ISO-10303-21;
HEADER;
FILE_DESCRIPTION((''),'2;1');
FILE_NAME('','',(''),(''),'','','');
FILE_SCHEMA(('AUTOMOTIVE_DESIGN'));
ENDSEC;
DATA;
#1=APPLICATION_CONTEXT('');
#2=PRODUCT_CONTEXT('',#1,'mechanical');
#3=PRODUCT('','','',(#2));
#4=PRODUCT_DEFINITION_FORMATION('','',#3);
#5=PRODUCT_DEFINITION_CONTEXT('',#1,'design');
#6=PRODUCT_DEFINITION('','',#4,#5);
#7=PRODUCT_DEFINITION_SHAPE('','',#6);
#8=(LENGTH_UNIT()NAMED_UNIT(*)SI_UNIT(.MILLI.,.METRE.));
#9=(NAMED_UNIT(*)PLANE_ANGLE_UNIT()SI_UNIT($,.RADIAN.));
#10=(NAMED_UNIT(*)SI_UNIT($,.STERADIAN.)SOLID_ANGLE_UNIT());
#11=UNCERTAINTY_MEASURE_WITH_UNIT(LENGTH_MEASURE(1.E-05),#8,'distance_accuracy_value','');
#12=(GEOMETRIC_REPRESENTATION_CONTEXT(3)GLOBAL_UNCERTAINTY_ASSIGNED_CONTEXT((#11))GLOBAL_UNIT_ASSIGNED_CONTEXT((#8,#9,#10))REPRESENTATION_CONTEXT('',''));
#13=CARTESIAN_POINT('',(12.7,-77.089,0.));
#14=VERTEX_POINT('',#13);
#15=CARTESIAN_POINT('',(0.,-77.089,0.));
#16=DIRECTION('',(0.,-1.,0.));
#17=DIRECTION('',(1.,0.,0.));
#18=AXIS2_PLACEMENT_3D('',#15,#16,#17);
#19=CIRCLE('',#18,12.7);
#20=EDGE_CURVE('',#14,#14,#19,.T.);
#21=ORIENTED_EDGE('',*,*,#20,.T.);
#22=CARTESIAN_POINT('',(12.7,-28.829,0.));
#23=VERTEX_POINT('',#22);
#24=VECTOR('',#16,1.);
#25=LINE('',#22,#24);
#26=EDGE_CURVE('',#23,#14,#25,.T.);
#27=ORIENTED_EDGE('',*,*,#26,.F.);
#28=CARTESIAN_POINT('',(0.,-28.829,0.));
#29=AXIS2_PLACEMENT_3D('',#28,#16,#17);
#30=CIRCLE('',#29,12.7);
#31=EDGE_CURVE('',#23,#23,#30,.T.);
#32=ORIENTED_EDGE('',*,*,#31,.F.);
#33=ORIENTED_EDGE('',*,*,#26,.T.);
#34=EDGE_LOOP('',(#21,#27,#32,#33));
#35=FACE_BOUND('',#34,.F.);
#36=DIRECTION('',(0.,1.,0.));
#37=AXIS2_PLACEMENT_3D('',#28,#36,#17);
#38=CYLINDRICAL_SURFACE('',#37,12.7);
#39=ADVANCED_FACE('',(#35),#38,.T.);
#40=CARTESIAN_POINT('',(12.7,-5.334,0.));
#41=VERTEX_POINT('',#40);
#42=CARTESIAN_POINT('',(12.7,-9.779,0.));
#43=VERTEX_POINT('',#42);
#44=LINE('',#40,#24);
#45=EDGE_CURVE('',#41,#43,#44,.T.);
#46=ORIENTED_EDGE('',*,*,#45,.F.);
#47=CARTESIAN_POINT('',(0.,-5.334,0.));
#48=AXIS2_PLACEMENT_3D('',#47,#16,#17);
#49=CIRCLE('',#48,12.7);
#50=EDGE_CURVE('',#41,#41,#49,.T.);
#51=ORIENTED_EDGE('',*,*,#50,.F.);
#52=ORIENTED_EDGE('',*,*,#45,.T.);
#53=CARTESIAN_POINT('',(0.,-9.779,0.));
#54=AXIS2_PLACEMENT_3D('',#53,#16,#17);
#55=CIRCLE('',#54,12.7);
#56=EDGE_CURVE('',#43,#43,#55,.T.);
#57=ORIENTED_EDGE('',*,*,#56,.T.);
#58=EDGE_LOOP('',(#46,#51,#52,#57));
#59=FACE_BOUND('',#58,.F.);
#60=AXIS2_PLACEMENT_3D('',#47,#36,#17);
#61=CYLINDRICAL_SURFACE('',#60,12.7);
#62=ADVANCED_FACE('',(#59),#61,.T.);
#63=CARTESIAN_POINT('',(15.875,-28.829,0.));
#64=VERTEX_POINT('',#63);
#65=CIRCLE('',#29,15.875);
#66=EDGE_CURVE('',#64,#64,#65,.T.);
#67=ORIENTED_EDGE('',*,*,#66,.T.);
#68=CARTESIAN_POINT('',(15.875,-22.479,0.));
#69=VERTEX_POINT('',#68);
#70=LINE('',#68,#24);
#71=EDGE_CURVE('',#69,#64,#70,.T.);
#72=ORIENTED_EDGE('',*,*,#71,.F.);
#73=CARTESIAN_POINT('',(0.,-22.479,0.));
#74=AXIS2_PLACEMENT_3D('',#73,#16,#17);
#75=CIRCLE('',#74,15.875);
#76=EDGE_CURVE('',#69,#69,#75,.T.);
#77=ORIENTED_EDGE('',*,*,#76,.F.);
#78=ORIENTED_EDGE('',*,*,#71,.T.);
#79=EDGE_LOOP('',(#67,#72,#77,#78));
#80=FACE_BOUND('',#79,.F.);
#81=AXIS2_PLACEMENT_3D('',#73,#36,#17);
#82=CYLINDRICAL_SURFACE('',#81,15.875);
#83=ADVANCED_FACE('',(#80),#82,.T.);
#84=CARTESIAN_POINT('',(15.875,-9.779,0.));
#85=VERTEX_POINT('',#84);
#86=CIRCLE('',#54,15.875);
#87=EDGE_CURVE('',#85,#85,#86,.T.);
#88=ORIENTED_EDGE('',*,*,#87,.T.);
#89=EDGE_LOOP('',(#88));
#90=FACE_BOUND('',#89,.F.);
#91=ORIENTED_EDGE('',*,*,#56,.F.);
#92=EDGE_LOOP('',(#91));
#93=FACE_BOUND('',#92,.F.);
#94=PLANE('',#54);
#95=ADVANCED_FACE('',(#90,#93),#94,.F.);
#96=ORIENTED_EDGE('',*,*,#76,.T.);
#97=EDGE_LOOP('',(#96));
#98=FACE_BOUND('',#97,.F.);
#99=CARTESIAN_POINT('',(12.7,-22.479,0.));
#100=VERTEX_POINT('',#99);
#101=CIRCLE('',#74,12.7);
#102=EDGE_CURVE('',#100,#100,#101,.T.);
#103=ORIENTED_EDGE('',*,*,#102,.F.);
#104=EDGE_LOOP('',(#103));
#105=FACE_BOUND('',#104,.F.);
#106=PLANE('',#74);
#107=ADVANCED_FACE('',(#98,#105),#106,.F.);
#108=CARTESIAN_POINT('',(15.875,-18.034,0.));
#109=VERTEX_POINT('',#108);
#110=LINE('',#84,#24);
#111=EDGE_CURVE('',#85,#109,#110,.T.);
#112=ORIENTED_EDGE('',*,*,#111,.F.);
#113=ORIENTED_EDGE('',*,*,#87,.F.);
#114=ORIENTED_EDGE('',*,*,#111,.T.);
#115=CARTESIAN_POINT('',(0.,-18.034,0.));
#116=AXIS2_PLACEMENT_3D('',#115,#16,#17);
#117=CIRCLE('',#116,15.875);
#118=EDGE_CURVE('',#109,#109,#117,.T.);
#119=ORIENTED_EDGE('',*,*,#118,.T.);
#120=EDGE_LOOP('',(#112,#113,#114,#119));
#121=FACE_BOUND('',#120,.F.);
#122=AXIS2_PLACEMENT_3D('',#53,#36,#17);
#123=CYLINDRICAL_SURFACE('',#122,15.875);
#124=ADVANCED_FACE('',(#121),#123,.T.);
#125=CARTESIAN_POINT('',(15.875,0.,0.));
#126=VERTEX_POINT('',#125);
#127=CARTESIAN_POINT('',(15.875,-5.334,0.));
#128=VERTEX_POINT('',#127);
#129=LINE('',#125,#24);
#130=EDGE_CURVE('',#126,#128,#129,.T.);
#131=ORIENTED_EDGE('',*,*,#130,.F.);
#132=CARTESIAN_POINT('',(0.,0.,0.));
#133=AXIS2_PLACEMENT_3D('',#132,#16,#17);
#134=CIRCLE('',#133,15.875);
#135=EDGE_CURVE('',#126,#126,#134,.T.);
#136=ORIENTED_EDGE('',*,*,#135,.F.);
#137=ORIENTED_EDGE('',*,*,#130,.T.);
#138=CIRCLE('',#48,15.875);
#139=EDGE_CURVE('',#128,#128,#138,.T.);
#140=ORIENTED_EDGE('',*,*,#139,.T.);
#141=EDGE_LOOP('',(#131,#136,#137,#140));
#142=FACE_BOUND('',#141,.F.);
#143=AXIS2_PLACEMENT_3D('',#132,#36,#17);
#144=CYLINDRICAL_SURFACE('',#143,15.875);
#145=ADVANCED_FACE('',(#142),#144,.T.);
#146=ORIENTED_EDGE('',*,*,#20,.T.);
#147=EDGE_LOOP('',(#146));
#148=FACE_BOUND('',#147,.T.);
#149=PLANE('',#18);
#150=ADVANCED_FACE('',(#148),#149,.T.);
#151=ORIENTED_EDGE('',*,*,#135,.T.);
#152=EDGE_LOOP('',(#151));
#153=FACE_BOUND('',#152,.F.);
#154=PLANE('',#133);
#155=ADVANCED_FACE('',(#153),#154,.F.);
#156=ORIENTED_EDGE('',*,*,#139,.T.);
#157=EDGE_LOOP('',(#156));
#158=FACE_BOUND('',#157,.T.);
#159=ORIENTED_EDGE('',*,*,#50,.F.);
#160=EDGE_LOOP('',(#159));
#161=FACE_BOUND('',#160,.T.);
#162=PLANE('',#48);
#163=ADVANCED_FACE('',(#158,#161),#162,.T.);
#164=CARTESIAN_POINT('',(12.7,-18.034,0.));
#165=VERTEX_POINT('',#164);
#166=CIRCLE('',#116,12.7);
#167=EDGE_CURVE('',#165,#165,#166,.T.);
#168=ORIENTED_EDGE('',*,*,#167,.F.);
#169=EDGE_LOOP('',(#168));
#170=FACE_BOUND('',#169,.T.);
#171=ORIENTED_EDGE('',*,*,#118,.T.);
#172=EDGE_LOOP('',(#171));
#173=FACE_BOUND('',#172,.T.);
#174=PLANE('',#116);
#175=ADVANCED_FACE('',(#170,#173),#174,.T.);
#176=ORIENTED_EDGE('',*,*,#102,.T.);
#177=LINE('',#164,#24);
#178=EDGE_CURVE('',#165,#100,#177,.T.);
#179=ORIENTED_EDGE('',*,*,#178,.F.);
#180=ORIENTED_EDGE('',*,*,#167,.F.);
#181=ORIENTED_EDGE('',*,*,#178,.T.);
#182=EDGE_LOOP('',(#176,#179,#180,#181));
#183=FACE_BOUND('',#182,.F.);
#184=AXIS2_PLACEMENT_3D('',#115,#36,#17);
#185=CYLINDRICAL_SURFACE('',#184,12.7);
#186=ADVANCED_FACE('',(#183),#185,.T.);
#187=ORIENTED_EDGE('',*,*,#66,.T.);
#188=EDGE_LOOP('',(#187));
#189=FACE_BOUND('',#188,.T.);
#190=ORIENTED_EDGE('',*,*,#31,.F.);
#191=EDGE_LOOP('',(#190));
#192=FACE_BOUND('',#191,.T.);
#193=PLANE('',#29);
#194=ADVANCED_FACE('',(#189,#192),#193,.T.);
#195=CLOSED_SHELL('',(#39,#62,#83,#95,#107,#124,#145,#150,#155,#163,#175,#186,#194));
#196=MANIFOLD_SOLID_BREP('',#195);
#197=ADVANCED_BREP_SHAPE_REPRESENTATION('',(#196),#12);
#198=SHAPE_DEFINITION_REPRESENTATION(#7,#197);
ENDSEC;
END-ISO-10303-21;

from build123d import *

# Parameters (mm, degrees)
F0_R      = 15.875
F1_DEPTH  = 5.334
F2_R      = 12.7
F3_DEPTH  = 4.445
F4_R      = 15.875
F5_DEPTH  = 8.255
F6_R      = 12.7
F7_DEPTH  = 4.445
F8_R      = 15.875
F9_DEPTH  = 6.35
F10_R     = 12.7
F11_DEPTH = 48.26


with BuildPart() as f1:
    # F0 (on Front) → F1 (new body)
    with BuildSketch(Plane.XZ):
        Circle(F0_R)
    extrude(amount=F1_DEPTH)

    # F2 (on face) → F3 (join)
    with BuildSketch(Plane.XZ.offset(5.334)):
        Circle(F2_R)
    extrude(amount=F3_DEPTH)

    # F4 (on face) → F5 (join)
    with BuildSketch(Plane.XZ.offset(9.779)):
        Circle(F4_R)
    extrude(amount=F5_DEPTH)

    # F6 (on face) → F7 (join)
    with BuildSketch(Plane.XZ.offset(18.034)):
        Circle(F6_R)
    extrude(amount=F7_DEPTH)

    # F8 (on face) → F9 (join)
    with BuildSketch(Plane.XZ.offset(22.479)):
        Circle(F8_R)
    extrude(amount=F9_DEPTH)

    # F10 (on face) → F11 (join)
    with BuildSketch(Plane.XZ.offset(28.829)):
        Circle(F10_R)
    extrude(amount=F11_DEPTH)


solid = f1.part
